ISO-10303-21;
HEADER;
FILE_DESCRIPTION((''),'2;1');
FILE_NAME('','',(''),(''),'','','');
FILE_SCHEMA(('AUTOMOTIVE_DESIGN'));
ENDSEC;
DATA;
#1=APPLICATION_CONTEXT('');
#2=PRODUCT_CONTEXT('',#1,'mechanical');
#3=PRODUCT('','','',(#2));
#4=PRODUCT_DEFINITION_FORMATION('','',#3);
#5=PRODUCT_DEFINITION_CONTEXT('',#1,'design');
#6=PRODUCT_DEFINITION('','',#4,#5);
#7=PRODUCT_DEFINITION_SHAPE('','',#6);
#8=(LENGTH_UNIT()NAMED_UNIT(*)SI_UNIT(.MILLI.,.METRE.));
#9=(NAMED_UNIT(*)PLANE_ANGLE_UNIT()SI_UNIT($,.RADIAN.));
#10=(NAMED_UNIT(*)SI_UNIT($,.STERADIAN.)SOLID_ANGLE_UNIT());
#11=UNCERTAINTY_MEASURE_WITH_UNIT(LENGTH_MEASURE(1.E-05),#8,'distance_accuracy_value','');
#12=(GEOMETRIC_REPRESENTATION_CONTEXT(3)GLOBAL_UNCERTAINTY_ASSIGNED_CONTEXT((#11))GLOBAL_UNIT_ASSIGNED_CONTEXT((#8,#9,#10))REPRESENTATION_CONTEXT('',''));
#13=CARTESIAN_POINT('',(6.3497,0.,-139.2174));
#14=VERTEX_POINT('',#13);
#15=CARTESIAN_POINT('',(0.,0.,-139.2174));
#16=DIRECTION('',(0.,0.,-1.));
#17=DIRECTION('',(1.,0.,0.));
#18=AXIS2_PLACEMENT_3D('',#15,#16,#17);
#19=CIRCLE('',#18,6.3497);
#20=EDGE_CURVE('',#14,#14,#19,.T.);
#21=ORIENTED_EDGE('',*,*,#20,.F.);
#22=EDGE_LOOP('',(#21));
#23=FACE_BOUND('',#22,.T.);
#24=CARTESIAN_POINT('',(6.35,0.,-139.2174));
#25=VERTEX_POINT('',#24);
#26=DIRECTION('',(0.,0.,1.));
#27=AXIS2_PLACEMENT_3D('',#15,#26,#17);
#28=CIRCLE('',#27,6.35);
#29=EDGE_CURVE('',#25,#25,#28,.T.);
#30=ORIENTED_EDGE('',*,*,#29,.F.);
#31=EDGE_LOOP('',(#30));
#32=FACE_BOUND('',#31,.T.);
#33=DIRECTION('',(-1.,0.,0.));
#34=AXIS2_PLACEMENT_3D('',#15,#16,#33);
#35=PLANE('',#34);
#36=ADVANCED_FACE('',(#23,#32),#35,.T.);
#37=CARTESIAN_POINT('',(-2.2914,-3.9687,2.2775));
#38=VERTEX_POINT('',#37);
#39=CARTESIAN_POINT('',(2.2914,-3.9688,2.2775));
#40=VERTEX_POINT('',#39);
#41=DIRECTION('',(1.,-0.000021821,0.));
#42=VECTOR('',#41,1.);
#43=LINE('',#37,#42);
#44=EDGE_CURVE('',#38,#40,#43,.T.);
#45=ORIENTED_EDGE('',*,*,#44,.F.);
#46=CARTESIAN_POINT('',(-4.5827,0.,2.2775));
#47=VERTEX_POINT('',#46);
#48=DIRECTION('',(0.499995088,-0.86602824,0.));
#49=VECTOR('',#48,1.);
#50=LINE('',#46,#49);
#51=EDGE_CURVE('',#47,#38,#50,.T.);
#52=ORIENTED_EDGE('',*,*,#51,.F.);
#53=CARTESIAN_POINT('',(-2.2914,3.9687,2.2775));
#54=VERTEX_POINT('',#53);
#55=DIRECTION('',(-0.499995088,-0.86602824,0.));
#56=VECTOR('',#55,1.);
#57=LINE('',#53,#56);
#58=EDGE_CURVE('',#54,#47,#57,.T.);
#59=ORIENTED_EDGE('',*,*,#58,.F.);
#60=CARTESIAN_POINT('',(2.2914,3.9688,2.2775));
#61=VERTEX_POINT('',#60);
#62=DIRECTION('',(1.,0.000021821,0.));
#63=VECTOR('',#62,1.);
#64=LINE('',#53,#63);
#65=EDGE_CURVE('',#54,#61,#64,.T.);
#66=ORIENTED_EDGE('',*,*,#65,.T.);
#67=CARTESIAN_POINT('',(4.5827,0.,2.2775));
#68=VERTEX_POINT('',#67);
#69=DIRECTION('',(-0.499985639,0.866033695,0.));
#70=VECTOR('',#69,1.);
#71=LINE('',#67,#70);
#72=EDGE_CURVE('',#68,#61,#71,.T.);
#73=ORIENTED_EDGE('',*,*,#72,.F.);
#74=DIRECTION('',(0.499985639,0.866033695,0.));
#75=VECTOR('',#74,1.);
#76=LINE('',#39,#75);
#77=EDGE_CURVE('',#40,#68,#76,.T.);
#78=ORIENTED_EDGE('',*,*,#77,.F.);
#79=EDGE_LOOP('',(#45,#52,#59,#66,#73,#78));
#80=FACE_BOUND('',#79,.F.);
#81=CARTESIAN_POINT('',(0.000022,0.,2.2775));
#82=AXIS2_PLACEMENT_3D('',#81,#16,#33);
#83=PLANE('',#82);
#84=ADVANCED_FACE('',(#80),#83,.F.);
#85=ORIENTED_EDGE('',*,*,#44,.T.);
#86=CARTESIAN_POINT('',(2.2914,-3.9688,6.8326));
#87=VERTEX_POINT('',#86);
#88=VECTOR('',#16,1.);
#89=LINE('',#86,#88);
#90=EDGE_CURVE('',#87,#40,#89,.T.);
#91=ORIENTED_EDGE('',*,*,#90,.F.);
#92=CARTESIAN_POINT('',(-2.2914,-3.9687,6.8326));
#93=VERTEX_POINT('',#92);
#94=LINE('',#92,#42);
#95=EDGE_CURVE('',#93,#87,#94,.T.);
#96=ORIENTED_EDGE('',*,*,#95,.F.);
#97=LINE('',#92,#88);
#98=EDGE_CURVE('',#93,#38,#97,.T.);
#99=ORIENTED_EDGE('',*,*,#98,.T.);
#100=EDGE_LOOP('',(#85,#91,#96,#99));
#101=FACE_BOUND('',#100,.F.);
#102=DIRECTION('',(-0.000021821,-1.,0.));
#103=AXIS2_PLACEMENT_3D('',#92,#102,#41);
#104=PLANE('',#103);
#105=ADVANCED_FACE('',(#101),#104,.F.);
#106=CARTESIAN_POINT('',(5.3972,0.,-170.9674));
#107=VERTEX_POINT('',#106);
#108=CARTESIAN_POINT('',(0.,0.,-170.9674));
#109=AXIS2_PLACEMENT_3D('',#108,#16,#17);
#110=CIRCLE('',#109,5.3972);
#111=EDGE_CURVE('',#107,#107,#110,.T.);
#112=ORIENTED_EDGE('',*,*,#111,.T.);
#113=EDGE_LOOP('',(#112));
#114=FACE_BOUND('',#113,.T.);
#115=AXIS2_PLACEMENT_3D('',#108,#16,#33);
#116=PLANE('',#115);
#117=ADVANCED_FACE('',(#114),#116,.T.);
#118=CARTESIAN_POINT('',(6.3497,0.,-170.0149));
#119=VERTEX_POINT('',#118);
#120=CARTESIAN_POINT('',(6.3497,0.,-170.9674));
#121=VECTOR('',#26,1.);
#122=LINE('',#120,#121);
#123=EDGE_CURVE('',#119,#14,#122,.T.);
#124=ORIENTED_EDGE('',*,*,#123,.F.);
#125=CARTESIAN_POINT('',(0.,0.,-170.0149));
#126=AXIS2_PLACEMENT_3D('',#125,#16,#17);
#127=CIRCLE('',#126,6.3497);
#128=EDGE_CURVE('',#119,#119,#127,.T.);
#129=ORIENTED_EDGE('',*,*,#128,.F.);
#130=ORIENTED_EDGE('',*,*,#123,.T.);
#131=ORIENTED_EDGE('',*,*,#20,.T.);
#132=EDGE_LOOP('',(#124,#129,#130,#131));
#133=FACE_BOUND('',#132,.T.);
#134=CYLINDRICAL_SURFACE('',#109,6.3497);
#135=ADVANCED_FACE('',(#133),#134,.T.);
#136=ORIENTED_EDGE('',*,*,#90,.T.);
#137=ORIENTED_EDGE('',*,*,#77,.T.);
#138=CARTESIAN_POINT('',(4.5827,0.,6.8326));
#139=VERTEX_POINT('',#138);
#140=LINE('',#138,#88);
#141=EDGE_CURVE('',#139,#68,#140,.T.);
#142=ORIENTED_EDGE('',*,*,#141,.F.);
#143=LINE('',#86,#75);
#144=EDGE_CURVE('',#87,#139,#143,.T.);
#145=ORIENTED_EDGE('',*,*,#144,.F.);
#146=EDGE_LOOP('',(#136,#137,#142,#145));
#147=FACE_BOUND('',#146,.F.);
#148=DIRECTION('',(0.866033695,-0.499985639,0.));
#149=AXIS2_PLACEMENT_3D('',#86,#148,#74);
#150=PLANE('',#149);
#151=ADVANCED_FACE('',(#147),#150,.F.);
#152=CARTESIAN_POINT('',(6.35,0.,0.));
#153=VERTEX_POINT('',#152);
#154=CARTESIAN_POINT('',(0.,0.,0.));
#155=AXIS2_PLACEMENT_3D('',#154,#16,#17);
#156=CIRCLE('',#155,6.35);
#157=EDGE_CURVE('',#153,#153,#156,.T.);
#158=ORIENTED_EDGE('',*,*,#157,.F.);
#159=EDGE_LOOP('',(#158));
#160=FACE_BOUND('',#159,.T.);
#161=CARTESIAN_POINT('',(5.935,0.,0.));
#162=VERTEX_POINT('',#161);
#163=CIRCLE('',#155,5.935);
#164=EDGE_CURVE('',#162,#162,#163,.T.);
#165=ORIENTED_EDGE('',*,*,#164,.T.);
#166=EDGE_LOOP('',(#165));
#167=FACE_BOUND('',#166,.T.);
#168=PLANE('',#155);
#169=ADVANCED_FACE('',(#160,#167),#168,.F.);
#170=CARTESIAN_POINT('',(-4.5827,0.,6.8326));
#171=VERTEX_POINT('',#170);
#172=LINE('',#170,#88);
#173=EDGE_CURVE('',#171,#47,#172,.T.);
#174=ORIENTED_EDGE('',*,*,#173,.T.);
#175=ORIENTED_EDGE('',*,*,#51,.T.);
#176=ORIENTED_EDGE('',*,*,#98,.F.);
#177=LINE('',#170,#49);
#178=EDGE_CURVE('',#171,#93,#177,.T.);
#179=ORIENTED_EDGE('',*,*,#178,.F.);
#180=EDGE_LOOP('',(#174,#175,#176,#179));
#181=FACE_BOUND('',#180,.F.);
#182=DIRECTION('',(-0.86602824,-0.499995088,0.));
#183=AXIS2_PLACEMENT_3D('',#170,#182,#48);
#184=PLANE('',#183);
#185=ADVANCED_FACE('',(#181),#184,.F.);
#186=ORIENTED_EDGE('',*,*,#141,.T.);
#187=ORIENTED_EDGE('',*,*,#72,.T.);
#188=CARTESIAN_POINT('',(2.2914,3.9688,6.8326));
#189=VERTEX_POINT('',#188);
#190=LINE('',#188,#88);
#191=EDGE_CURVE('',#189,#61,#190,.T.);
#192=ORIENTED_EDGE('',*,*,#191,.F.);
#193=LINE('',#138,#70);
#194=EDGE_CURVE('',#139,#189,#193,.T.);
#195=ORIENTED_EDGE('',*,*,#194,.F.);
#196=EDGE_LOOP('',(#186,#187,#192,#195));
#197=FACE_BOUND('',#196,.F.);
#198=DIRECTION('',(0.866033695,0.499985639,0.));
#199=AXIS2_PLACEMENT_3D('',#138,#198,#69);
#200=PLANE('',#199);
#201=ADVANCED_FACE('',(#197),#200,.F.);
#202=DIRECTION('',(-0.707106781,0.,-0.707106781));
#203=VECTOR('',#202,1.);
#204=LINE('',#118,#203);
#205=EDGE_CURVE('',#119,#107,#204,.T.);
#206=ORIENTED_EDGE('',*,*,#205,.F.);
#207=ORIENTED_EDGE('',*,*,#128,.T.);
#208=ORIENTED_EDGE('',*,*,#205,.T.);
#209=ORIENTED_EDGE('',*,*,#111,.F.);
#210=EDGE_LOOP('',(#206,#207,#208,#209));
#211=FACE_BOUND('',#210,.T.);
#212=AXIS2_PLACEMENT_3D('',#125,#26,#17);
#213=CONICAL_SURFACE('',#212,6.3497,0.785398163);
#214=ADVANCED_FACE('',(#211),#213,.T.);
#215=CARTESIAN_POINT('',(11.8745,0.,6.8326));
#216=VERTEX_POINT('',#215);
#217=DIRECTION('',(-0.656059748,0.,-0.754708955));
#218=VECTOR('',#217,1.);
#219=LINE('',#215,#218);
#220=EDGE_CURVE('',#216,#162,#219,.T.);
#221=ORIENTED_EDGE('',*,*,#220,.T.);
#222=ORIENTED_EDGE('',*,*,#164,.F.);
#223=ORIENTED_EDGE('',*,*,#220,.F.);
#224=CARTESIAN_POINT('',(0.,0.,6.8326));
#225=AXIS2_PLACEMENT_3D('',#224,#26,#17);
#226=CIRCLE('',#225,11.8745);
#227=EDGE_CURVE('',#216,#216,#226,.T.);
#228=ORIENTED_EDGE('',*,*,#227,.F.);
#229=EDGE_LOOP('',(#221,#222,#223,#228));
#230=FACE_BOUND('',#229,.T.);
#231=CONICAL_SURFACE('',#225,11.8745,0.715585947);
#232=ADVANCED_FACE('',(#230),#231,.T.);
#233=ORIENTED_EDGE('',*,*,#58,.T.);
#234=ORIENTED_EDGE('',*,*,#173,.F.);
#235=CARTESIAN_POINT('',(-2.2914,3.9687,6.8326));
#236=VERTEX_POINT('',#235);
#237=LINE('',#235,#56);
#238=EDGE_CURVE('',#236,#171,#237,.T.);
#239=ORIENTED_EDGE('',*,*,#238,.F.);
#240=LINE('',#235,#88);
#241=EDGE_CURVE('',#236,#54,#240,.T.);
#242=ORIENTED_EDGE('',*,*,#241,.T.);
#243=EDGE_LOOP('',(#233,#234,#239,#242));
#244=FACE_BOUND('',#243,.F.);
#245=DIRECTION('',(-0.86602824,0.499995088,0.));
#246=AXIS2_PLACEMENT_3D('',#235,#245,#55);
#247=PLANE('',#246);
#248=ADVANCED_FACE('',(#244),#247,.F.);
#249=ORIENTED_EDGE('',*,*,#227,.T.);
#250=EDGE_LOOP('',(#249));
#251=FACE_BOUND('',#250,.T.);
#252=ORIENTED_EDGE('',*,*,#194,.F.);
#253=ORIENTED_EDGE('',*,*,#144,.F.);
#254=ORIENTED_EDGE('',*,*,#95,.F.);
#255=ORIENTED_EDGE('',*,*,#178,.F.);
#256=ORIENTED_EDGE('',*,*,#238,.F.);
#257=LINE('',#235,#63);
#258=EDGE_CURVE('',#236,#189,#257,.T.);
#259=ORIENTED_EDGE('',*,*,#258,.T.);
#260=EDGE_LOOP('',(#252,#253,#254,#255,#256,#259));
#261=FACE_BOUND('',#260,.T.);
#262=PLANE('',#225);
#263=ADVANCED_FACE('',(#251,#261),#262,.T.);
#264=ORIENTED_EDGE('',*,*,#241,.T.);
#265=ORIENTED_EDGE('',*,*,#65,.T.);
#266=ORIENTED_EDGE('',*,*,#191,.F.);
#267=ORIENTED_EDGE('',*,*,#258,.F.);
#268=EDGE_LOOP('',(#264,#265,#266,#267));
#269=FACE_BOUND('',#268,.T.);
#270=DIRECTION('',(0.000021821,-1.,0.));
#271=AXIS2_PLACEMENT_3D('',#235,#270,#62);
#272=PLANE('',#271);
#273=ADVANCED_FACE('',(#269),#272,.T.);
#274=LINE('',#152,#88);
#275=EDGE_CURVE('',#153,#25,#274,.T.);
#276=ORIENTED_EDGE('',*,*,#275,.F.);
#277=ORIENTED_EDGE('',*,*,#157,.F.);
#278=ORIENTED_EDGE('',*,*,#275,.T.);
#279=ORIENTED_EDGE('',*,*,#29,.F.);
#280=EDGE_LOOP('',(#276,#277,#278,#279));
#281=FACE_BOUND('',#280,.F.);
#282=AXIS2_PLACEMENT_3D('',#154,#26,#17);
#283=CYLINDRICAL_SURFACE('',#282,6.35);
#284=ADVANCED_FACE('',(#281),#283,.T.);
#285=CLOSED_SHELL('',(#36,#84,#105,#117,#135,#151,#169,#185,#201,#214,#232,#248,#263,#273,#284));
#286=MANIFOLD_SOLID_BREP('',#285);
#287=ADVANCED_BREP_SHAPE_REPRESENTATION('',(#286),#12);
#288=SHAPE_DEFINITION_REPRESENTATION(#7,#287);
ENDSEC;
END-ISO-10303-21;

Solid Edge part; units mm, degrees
sketch "Sketch1" plane through (0, 0, 0) normal (0, 0, 1) x (1, 0, 0)
  circle A0 centre (0, 0) radius 11.8745
  dimension "D1" = 23.749
extrude "Protrusion1" add sketch "Sketch1" along normal blind 6.8326
sketch "Sketch2" plane through (0, 0, 0) normal (0, 0, -1) x (1, 0, 0)
  circle A0 centre (0, 0) radius 6.35
extrude "Protrusion2" add sketch "Sketch2" along normal blind 170.9674
sketch "Sketch3" plane through (0, 0, -170.9674) normal (0, 0, -1) x (1, 0, 0)
  circle A0 centre (0, 0) radius 6.3497
extrude "Cutout1" cut sketch "Sketch3" against normal blind 31.75 flip side to cut
chamfer "Chamfer_1" distance 0.9525 angle 45 1 edges at (-6.3497, 0, -170.9674)
sketch "Sketch4" plane through (0, 0, 6.8326) normal (0, 0, 1) x (1, 0, 0)
  line L0 (-2.2914, 3.9687) -> (2.2914, 3.9688)
  line L1 (4.5827, 0) -> (2.2914, 3.9688)
  line L2 (2.2914, -3.9688) -> (4.5827, 0)
  line L3 (-2.2914, -3.9687) -> (2.2914, -3.9688)
  line L4 (-4.5827, 0) -> (-2.2914, -3.9688)
  line L5 (-2.2914, 3.9688) -> (-4.5827, 0)
  dimension "D1" = 7.9375
extrude "Cutout2" cut sketch "Sketch4" against normal blind 4.5551
sketch "Sketch5" plane through (0, 0, 0) normal (0, -1, 0) x (1, 0, 0)
  line L0 (11.8745, 6.8326) -> (5.935, 0)
  line L1 (5.935, 0) -> (11.8745, 0)
  line L2 (11.8745, 0) -> (11.8745, 6.8326)
revolve "RevolvedCutout1" cut sketch "Sketch5" angle 360 about axis through (0, 0, 14.0017) along (0, 0, -1)
properties part number "120179"
